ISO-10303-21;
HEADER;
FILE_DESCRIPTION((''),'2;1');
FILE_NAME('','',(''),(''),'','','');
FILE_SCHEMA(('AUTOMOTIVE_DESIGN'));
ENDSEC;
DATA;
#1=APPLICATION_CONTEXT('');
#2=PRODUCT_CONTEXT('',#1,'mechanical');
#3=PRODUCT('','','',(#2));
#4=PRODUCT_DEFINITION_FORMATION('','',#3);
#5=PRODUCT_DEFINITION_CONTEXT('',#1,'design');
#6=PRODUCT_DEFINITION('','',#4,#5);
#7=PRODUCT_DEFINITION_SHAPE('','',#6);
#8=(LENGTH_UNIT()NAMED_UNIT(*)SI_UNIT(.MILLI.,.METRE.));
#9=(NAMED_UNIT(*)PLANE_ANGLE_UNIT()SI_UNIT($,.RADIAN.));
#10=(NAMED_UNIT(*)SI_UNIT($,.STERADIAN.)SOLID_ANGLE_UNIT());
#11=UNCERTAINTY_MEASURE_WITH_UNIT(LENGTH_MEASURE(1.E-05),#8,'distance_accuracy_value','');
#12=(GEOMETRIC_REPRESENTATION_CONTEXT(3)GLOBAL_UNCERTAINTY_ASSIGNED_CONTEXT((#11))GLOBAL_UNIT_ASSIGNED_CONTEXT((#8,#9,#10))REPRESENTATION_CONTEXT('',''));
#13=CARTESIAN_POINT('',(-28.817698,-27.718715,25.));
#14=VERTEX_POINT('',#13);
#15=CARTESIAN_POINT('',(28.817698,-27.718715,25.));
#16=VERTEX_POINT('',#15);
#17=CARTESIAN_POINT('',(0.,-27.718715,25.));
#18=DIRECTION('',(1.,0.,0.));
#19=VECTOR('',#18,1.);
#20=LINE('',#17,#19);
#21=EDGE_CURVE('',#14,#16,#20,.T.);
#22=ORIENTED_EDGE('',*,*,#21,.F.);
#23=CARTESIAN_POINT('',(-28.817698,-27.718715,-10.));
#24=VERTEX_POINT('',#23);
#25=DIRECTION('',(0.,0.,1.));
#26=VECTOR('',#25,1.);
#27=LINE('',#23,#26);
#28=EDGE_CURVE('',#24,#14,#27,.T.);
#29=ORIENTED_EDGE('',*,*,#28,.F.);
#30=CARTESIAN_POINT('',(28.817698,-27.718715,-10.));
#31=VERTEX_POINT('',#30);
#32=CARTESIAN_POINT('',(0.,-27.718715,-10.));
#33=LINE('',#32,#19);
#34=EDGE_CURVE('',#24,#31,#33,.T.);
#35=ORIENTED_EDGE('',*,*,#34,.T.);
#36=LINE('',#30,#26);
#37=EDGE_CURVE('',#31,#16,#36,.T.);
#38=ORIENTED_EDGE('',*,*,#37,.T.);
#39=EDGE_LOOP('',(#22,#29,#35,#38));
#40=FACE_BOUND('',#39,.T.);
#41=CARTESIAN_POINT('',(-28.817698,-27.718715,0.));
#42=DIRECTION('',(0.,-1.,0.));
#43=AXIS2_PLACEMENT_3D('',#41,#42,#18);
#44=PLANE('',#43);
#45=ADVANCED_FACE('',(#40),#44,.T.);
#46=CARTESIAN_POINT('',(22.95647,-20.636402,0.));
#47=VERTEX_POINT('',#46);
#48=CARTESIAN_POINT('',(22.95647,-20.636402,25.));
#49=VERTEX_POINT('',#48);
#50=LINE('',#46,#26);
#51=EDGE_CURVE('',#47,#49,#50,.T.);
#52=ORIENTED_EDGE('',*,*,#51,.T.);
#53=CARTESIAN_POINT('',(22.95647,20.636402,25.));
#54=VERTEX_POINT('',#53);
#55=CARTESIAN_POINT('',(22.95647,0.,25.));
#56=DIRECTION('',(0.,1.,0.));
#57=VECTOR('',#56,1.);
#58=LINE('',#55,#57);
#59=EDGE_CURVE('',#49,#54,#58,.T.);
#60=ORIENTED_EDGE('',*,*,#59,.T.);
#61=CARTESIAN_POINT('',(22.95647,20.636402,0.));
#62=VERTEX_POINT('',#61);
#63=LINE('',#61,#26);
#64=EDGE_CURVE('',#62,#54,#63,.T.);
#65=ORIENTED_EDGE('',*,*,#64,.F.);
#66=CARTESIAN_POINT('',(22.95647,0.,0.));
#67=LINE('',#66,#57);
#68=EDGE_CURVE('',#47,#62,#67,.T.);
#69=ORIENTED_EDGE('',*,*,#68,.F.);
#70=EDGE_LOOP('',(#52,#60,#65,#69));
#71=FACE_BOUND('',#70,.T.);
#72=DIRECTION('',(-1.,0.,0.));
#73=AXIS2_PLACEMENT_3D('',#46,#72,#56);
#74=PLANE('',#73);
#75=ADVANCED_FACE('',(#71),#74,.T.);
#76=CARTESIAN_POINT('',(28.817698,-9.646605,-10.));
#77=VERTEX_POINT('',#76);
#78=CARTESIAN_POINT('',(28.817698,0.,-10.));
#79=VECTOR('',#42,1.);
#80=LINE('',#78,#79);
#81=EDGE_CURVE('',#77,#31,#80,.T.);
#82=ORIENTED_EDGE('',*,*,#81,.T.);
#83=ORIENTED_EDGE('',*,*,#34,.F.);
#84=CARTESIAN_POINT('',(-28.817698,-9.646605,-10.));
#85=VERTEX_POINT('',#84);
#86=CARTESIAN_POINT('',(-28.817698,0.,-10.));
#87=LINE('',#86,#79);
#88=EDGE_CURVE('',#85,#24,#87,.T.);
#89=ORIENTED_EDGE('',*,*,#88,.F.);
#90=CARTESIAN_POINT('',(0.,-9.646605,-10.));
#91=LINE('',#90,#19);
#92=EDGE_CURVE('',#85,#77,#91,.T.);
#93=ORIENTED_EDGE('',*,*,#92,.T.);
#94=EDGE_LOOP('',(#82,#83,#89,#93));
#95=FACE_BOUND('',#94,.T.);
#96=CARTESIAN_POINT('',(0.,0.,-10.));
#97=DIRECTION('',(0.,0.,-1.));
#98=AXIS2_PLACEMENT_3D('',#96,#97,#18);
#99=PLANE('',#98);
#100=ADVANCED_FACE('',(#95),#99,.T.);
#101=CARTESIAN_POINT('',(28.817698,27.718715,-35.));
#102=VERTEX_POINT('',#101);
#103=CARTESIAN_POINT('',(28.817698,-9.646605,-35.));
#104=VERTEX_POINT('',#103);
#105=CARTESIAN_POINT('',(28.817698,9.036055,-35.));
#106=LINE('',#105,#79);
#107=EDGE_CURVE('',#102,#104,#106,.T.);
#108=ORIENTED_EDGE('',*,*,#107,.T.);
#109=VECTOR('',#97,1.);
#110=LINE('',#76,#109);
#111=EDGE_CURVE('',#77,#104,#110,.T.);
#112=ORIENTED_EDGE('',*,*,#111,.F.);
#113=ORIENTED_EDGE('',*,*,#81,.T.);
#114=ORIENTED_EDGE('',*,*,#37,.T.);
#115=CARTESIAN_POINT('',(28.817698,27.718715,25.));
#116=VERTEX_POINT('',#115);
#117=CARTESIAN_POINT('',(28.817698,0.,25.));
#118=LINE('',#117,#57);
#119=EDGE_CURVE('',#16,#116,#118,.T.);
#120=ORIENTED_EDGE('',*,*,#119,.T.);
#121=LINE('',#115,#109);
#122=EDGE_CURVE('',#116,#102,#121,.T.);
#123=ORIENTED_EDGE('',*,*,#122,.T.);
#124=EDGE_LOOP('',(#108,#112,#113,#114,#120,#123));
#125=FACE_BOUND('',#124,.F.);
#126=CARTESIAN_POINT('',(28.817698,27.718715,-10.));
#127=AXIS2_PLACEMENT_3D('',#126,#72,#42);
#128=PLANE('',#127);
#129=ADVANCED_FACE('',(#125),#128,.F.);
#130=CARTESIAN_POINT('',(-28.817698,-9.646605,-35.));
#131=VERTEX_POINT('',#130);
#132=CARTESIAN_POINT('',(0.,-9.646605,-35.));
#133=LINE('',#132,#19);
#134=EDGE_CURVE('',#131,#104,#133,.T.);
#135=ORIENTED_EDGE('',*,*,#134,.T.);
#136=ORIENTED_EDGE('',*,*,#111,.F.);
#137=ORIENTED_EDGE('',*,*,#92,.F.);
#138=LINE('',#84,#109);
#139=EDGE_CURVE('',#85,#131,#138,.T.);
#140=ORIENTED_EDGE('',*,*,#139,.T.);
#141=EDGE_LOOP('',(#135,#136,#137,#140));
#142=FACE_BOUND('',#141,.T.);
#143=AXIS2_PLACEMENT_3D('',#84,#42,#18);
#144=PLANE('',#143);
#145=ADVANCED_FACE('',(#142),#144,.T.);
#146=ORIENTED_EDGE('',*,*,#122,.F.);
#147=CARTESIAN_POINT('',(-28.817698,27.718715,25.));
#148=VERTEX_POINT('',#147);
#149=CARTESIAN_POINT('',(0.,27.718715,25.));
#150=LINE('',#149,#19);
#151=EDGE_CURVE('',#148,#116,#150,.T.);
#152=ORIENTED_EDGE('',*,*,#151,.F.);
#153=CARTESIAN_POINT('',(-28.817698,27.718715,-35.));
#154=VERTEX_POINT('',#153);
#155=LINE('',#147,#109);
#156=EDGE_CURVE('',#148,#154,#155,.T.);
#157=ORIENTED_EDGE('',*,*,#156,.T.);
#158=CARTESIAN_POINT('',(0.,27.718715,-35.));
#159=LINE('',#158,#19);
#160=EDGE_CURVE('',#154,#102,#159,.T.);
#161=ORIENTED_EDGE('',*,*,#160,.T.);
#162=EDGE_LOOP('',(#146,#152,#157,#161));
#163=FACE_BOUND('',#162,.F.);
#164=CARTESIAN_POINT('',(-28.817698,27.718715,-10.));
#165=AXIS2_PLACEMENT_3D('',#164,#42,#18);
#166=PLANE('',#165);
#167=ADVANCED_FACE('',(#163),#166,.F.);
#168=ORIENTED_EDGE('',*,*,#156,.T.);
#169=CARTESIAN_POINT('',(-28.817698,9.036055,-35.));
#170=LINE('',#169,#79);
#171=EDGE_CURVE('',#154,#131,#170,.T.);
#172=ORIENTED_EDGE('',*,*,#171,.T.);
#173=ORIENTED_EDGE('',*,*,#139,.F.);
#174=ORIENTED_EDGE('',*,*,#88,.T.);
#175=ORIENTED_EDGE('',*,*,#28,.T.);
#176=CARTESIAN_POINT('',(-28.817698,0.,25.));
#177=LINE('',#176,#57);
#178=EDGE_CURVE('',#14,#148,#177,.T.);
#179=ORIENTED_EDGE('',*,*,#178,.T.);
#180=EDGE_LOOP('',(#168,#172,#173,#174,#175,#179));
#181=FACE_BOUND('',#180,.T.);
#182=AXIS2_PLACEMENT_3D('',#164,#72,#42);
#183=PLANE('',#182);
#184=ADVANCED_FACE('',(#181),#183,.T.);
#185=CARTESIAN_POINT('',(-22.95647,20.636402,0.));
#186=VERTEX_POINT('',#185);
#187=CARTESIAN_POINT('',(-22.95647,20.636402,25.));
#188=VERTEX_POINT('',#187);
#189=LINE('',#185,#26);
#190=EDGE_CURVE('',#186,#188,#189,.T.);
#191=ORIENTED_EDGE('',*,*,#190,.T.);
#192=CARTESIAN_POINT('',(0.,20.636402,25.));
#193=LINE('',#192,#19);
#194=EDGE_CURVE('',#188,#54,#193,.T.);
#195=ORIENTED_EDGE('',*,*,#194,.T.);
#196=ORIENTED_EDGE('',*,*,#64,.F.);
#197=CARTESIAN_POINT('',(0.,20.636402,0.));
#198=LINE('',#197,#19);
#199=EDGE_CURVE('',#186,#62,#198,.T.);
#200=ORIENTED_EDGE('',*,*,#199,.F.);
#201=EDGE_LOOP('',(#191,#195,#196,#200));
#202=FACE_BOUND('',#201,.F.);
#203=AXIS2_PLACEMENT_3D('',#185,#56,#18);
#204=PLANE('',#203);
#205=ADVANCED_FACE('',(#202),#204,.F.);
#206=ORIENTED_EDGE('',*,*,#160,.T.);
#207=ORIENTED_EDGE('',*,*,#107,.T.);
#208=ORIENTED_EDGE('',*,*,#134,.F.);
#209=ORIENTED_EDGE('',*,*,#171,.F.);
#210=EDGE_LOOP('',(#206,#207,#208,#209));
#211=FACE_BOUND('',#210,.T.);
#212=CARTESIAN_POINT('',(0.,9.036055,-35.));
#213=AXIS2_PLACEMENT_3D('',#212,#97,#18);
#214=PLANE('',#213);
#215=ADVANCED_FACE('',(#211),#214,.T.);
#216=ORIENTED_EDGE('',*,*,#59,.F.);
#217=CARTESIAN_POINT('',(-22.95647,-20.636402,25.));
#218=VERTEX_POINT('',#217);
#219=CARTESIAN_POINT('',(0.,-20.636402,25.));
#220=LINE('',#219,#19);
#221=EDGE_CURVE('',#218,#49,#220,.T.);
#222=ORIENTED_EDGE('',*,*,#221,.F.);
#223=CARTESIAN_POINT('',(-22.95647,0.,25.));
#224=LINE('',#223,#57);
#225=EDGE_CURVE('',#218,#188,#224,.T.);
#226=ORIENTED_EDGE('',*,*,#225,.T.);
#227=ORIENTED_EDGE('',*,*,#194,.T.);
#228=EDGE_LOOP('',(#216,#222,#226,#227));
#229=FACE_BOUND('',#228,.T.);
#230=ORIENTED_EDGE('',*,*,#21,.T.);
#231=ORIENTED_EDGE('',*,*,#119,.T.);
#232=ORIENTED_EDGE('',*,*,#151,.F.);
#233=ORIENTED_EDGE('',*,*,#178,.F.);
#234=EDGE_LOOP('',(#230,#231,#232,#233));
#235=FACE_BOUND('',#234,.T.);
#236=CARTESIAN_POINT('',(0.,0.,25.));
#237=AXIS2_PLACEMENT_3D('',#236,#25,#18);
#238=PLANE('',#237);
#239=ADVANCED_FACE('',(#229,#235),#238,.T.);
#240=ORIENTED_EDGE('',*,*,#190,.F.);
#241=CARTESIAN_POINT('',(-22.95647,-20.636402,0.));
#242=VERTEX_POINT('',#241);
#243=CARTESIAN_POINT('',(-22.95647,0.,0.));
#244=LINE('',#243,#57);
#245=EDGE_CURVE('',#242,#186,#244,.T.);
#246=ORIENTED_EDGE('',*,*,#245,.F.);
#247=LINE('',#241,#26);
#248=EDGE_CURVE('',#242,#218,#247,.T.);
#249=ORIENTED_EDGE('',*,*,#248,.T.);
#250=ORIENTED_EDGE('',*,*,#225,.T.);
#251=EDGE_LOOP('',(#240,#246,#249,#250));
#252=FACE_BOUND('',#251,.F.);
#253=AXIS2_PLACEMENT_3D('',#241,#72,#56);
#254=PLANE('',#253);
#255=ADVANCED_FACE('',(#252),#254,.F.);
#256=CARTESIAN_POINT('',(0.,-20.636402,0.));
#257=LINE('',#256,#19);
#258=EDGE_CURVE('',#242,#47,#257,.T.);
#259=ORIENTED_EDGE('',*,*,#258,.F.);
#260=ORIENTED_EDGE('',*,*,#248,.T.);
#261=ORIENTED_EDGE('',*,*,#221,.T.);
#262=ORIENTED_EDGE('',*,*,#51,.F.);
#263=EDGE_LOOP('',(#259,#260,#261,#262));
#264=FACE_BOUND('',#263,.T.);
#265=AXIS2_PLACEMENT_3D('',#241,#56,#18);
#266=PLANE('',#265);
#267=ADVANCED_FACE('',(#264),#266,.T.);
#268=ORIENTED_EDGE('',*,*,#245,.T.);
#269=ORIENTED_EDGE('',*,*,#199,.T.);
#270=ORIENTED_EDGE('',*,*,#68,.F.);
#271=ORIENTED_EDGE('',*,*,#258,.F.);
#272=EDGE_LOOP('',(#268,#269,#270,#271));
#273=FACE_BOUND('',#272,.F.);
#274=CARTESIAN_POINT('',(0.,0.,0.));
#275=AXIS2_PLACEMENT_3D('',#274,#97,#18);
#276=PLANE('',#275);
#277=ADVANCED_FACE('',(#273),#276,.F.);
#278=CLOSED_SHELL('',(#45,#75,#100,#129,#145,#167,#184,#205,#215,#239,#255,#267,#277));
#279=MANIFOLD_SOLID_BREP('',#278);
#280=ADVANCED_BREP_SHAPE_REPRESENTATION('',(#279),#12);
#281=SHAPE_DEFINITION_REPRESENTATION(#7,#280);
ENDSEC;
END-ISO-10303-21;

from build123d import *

# Parameters (mm, degrees)
F0_W     = 57.635396
F0_H     = 55.43743
F0_W_2   = 45.91294
F0_H_2   = 41.272804
F1_DEPTH = 25
F2_W     = 57.635396
F2_H     = 55.43743
F3_DEPTH = 10
F4_W     = 57.635396
F4_H     = 37.36532
F5_DEPTH = 25


with BuildPart() as f1:
    # F0 (on Top) → F1 (new body)
    with BuildSketch(Plane.XY):
        Rectangle(F0_W, F0_H)
        Rectangle(F0_W_2, F0_H_2, mode=Mode.SUBTRACT)
    extrude(amount=F1_DEPTH)

    # F2 (on face) → F3 (join)
    with BuildSketch(Plane(origin=(0, 0, 0), x_dir=(1, 0, 0), z_dir=(0, 0, -1))):
        Rectangle(F2_W, F2_H)
    extrude(amount=F3_DEPTH)

    # F4 (on face) → F5 (join)
    with BuildSketch(Plane(origin=(0, 0, -10), x_dir=(1, 0, 0), z_dir=(0, 0, -1))):
        with Locations((0, -9.036055)):
            Rectangle(F4_W, F4_H)
    extrude(amount=F5_DEPTH)


solid = f1.part
